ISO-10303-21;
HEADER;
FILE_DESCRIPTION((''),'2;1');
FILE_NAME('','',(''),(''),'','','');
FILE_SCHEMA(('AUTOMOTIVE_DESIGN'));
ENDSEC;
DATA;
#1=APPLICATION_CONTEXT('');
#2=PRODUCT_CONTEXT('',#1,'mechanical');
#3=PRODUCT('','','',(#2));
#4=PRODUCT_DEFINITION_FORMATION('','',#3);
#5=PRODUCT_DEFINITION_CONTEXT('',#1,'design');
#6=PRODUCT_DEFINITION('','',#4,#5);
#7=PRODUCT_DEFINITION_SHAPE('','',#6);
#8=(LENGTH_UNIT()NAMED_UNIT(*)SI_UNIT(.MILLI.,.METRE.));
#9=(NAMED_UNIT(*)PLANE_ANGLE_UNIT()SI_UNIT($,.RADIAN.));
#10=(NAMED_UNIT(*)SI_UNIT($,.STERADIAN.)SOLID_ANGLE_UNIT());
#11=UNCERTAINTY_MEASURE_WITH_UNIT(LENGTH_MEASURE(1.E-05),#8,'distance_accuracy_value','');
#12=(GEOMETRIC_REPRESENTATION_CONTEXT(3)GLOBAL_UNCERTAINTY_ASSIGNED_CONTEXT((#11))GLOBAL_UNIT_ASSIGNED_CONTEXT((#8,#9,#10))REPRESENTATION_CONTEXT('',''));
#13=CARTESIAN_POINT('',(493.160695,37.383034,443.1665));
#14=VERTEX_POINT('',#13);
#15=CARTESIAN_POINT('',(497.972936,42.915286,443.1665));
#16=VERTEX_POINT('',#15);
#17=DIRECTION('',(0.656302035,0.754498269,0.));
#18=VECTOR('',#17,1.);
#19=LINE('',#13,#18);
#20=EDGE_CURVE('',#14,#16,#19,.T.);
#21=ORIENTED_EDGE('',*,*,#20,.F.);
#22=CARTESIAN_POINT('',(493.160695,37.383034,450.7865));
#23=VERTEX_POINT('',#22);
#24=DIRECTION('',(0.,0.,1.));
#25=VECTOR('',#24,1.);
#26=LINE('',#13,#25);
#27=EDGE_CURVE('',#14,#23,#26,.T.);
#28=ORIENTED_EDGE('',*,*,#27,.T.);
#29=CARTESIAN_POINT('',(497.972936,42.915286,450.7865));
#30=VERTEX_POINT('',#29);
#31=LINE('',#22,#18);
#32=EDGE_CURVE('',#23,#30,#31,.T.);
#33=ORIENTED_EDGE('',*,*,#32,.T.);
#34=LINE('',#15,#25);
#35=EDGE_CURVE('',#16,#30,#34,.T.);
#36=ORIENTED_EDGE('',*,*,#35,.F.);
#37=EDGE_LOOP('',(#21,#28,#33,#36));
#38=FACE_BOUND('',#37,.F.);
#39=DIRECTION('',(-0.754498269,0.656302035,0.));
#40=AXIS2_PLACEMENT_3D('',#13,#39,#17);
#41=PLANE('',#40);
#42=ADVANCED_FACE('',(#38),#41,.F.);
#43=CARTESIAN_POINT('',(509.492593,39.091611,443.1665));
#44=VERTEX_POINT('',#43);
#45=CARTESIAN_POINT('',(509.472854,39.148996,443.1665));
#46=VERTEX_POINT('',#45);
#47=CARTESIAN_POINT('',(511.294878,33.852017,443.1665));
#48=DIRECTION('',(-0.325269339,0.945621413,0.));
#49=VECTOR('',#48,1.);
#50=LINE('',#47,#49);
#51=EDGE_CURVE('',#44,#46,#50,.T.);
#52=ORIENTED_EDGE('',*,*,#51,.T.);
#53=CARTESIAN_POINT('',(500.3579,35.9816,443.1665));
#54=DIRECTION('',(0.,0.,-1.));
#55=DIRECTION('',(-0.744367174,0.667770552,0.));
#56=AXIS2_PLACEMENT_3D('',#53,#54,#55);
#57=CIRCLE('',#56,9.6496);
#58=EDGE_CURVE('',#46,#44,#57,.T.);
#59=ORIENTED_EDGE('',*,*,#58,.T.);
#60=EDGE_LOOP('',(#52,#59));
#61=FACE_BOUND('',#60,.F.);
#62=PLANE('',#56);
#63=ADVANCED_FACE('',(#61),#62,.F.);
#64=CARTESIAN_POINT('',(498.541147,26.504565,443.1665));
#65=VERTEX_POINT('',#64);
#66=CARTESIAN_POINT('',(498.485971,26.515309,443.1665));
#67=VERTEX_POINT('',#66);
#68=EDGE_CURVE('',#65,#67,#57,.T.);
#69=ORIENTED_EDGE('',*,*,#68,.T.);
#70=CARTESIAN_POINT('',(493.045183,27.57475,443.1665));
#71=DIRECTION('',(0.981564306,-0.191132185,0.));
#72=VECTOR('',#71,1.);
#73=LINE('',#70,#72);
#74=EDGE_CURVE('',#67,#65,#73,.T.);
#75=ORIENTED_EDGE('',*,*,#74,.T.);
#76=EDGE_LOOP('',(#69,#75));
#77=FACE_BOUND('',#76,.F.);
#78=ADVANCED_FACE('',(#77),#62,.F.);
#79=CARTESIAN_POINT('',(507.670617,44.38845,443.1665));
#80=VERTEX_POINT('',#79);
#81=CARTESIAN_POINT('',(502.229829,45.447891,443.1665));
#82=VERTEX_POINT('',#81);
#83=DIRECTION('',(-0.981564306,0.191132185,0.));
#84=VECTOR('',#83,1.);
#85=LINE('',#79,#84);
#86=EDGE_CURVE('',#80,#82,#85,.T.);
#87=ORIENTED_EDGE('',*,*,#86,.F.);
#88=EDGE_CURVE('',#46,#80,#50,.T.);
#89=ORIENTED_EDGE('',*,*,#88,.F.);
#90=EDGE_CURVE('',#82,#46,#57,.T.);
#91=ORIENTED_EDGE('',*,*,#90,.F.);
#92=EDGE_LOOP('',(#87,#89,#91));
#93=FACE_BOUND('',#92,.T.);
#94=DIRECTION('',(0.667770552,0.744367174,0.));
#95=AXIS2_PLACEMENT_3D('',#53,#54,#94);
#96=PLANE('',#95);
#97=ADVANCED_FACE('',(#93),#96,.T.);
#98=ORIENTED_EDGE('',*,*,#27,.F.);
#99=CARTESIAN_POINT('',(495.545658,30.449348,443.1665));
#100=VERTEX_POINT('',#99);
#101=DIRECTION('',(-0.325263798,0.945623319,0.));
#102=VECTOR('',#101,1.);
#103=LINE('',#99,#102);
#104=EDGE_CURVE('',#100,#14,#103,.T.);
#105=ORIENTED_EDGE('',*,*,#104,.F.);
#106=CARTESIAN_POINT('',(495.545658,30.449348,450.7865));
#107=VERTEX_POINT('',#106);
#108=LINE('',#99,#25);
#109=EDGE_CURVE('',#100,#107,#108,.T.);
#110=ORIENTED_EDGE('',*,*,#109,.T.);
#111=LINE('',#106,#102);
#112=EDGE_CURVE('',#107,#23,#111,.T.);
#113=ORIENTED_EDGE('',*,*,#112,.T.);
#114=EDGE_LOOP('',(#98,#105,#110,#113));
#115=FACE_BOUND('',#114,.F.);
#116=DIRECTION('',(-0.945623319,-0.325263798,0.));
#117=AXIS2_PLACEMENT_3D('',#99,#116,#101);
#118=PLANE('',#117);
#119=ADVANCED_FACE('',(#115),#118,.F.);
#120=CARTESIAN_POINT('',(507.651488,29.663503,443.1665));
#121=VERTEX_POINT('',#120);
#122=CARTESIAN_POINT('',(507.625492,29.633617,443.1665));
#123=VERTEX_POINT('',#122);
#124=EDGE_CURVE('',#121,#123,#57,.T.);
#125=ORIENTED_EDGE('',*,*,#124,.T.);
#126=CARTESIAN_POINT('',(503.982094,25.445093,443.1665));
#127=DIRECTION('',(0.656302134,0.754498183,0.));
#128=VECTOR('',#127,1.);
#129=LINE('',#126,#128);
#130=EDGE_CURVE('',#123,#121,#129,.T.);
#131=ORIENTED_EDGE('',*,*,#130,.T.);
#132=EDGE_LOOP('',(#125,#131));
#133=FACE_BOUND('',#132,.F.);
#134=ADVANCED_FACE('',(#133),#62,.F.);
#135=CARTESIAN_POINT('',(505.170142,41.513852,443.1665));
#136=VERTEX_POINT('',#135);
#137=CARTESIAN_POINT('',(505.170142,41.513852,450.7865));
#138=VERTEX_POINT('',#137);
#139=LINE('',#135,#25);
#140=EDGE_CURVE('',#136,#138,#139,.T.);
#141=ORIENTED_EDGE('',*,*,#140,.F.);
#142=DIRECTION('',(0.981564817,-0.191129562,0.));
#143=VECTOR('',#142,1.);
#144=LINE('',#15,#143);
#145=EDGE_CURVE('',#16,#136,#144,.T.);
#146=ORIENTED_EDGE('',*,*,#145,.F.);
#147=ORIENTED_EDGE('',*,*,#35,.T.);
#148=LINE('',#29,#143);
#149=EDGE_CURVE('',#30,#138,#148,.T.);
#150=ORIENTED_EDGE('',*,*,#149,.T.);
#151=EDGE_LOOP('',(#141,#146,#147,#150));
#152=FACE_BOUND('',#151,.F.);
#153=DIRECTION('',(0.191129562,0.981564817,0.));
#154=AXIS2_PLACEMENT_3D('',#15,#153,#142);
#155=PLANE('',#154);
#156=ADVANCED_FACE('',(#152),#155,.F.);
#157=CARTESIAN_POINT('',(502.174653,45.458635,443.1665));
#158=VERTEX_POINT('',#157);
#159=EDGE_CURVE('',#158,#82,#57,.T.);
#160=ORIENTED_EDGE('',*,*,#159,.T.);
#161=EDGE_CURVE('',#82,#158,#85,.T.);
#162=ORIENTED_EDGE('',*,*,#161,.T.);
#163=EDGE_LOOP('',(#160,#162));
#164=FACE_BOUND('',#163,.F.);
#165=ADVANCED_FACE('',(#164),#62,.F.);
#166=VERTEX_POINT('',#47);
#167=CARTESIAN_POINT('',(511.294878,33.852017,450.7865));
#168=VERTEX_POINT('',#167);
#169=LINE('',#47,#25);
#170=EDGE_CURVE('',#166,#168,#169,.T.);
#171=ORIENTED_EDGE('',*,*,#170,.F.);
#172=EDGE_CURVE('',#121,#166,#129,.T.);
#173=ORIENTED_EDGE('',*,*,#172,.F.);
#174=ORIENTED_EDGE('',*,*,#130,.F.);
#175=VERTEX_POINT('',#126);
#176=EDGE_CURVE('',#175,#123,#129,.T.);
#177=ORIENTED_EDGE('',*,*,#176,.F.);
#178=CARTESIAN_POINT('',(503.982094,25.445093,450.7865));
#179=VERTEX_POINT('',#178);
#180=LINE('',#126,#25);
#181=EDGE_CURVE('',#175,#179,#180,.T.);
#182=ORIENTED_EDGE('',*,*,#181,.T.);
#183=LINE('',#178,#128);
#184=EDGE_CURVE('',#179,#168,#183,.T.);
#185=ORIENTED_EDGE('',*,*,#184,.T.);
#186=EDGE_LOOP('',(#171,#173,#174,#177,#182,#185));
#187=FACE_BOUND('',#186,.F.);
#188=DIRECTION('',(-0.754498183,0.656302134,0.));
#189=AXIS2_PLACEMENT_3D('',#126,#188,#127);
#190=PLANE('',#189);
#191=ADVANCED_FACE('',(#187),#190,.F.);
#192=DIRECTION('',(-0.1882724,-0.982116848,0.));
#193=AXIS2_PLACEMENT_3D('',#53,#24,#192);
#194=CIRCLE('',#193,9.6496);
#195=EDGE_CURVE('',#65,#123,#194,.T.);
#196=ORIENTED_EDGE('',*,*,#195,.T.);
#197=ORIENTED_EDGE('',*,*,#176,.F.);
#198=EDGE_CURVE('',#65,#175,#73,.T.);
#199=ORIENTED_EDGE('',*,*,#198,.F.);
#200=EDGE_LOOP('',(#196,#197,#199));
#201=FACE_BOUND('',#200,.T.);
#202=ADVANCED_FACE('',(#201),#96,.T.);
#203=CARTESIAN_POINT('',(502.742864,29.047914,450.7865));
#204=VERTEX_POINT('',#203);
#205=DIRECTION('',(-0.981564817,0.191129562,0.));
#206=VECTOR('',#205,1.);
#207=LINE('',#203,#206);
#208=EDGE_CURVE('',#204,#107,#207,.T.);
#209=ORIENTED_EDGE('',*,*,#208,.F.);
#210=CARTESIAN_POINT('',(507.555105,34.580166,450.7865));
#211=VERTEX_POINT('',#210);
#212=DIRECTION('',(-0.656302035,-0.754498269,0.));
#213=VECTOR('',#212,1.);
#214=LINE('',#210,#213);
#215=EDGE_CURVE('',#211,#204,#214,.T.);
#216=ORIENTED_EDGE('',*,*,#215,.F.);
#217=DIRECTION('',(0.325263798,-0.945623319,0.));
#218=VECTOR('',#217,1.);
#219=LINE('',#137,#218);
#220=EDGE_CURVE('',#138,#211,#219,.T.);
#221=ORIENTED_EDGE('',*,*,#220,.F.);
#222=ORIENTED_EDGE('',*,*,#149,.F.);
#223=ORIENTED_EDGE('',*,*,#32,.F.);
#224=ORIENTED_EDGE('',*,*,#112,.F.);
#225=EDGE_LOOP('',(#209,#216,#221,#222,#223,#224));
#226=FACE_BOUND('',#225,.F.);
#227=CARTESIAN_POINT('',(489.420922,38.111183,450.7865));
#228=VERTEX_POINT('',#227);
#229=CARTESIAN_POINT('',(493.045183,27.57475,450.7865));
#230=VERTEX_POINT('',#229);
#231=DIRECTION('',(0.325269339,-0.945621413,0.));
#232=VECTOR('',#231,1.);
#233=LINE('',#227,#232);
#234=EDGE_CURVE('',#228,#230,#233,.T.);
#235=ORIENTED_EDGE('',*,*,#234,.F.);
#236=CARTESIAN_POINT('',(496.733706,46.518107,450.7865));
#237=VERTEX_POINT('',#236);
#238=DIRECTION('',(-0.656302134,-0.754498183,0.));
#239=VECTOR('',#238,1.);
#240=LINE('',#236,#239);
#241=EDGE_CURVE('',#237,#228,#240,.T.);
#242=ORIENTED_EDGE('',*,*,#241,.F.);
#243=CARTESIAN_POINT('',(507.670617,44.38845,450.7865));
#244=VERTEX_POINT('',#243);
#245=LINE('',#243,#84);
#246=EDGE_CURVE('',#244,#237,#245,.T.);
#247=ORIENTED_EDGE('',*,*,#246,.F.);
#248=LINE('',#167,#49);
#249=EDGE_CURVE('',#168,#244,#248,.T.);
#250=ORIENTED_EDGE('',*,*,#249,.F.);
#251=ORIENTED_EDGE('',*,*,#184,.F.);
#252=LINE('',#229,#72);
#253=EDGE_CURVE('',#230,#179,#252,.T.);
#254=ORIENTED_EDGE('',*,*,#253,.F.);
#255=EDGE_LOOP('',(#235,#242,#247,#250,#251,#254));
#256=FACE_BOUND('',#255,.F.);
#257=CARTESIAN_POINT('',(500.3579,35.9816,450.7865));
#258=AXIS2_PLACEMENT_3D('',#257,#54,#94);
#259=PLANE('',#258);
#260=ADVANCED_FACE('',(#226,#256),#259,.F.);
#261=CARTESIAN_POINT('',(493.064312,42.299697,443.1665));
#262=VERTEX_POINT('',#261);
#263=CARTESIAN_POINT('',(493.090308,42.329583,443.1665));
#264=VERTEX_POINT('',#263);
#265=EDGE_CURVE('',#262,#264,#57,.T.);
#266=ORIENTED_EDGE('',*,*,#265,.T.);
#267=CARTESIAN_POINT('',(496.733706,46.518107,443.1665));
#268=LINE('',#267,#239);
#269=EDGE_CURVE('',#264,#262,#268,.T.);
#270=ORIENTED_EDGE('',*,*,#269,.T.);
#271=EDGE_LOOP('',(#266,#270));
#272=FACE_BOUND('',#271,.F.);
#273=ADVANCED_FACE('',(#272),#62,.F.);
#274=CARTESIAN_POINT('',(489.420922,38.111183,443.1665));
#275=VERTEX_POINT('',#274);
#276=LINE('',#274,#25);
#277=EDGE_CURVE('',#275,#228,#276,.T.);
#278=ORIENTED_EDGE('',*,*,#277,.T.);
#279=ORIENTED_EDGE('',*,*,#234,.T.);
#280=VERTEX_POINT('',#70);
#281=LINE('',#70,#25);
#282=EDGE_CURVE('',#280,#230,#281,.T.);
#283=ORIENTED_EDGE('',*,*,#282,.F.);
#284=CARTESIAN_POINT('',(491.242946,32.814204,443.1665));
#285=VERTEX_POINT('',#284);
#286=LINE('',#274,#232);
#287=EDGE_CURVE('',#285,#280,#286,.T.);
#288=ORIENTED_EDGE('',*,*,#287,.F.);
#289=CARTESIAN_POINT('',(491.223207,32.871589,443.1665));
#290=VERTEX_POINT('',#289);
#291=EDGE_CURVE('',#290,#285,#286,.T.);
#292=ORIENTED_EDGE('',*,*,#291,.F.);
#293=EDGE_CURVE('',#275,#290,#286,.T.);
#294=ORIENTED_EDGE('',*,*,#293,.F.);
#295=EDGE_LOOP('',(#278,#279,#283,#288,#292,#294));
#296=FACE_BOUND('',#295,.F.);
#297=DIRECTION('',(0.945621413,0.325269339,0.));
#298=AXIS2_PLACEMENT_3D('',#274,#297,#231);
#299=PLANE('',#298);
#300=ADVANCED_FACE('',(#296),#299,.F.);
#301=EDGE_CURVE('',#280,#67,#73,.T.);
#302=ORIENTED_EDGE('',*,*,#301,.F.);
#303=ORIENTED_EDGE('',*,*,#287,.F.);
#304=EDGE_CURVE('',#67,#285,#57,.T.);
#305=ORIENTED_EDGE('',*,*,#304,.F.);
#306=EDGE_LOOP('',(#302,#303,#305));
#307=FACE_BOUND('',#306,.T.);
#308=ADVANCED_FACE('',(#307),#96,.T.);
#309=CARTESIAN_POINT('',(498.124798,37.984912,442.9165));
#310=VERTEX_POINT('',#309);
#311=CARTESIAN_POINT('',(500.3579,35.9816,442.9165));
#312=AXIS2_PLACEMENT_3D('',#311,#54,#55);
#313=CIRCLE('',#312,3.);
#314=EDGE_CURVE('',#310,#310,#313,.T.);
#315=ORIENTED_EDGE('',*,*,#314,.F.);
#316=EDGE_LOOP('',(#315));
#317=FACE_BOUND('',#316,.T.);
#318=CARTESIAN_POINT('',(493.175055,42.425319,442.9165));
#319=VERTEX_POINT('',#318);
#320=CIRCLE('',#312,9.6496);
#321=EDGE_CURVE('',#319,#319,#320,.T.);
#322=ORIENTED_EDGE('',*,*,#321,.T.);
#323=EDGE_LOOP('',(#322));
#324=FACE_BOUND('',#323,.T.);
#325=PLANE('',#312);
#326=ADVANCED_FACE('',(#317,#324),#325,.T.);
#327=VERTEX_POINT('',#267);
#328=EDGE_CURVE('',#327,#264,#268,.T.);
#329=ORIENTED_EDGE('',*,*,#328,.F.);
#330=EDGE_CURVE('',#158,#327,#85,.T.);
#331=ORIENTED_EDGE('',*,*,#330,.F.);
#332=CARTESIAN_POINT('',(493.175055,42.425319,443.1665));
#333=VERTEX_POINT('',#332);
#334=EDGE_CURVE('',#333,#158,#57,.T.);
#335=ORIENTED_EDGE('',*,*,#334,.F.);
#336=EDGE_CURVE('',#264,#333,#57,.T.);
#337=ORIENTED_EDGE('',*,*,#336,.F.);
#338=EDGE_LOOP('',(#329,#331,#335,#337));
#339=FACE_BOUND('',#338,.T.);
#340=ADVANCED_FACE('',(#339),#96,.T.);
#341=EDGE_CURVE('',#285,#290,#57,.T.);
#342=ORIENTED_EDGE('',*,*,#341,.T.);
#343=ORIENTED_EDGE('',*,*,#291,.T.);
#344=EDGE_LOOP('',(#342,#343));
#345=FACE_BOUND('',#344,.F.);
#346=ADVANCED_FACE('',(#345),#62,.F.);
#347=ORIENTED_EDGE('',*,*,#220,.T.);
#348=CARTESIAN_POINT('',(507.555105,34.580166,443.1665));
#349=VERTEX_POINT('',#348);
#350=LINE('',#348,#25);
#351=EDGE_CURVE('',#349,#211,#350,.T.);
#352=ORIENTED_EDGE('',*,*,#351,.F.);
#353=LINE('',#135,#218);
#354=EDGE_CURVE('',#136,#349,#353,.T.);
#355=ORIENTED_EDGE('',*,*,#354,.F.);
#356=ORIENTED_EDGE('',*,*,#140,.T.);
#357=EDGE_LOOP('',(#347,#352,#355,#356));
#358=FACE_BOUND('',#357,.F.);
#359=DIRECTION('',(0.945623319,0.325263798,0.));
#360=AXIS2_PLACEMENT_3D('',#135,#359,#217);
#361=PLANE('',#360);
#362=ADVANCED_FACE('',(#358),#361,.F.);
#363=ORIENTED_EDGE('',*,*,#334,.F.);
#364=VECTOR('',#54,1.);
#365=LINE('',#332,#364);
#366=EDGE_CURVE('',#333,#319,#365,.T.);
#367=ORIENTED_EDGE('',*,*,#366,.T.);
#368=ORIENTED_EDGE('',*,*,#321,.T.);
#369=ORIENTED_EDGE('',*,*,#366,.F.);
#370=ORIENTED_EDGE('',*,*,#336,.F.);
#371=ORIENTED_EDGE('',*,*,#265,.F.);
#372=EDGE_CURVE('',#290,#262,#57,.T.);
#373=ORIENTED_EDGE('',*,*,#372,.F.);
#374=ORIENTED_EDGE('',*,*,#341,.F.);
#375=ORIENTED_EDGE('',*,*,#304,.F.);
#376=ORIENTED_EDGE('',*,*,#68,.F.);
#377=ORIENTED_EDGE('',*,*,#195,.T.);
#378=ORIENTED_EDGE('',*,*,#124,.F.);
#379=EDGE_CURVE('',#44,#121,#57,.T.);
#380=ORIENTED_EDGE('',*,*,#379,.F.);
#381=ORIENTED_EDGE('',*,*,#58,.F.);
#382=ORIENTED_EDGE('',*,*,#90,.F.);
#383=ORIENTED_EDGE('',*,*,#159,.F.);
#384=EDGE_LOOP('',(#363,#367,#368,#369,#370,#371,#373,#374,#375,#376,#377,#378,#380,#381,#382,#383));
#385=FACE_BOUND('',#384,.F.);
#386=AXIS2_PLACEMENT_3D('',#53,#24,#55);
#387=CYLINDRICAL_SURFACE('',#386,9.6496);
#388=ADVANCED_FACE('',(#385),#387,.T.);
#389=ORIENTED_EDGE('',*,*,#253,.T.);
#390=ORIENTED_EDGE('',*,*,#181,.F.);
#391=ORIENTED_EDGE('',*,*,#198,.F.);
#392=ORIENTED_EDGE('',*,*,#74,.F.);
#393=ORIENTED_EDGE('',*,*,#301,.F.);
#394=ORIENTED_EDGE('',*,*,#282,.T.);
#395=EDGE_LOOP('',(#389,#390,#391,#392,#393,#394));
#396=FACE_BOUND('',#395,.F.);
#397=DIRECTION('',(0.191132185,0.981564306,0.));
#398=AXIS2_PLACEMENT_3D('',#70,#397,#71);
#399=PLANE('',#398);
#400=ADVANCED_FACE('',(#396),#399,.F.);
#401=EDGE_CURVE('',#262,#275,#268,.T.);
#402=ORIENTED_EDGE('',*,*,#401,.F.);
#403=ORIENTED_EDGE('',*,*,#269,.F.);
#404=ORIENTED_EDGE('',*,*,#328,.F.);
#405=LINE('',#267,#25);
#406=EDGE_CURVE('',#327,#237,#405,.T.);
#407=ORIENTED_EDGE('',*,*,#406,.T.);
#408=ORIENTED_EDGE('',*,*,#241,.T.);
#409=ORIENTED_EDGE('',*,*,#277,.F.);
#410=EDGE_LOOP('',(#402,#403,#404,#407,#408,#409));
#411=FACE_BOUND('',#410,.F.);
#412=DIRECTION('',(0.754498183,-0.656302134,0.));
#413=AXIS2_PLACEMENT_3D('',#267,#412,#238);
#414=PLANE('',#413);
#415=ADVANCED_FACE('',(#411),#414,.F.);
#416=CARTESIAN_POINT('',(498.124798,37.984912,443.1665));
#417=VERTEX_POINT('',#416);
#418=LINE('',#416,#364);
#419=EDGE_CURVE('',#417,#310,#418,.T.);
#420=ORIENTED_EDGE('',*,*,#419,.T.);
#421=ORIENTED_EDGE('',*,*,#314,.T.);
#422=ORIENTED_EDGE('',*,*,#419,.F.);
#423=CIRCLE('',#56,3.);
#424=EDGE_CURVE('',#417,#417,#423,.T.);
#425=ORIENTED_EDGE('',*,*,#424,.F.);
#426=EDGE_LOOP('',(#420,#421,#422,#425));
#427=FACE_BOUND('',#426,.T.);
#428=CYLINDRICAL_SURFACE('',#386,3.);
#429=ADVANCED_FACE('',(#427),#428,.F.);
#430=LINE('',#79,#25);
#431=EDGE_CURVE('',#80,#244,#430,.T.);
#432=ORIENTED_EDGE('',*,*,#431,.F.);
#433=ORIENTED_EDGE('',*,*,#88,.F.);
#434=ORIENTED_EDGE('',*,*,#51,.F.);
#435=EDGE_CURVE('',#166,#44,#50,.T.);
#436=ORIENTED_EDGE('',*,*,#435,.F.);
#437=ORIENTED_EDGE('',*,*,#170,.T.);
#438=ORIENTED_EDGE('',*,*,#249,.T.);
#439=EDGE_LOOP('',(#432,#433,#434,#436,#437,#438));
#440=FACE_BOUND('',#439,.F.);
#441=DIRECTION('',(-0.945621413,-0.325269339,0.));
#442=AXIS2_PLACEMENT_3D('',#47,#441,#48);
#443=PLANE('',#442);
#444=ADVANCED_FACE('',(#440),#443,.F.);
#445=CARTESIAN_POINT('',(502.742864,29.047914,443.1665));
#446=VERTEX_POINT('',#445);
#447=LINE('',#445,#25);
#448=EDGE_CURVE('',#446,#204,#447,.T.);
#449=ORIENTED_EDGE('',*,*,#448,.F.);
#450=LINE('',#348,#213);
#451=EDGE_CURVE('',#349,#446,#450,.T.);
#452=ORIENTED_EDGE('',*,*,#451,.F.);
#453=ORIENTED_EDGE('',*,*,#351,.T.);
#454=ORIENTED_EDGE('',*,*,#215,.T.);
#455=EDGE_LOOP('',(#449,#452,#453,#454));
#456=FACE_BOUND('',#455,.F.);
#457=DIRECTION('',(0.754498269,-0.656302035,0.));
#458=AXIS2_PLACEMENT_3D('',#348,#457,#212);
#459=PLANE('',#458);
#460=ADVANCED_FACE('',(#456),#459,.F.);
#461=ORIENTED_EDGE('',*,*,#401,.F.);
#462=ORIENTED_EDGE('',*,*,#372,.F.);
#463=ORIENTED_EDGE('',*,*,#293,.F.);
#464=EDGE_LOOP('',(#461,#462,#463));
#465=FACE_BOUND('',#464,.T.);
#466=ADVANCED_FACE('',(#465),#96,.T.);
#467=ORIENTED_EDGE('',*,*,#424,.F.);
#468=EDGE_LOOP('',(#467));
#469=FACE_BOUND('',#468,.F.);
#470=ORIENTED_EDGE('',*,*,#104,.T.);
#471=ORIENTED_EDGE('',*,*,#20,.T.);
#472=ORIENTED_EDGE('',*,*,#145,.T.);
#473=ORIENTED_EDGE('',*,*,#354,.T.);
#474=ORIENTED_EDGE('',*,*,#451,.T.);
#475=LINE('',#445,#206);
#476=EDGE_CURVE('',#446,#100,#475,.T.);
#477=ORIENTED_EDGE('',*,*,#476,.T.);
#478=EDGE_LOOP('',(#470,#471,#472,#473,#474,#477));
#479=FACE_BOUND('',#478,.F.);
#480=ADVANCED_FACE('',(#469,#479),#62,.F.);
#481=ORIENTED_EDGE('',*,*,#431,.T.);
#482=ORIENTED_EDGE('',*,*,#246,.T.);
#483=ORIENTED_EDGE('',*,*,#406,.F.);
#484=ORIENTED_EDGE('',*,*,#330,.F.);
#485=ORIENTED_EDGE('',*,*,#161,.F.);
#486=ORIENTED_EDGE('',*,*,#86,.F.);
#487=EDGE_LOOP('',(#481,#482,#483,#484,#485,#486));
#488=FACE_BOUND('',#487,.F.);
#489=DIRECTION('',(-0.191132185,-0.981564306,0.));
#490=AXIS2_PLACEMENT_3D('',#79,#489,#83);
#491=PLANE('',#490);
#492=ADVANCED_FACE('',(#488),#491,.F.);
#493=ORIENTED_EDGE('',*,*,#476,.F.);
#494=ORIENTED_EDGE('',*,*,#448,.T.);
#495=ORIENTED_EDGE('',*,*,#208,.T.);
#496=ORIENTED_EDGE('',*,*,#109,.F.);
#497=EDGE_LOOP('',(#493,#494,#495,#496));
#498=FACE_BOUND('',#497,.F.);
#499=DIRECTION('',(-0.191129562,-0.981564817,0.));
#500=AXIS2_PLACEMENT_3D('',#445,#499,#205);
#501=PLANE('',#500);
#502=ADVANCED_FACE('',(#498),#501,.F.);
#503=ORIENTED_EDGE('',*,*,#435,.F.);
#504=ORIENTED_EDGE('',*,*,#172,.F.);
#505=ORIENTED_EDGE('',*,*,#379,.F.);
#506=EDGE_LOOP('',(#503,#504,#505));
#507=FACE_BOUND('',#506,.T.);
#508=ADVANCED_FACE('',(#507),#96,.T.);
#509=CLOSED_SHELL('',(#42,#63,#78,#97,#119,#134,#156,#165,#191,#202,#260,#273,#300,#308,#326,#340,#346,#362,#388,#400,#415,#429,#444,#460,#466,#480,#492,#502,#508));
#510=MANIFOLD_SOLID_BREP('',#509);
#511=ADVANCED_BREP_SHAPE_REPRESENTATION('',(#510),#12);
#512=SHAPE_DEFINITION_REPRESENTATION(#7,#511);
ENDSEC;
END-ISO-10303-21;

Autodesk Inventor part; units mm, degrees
ref_plane "YZ Plane" through (0, 0, 0) normal (1, 0, 0) x (0, 1, 0)
ref_plane "XZ Plane" through (0, 0, 0) normal (0, 1, 0) x (-1, 0, 0)
ref_plane "XY Plane" through (0, 0, 0) normal (0, 0, 1) x (1, 0, 0)
ref_plane "Work Plane1" through (500.3579, 35.9816, 443.1665) normal (0, 0, -1) x (0.6678, 0.7444, 0)
sketch "Sketch2" plane through (500.3579, 35.9816, 443.1665) normal (0, 0, -1) x (0.6678, 0.7444, 0)
  line L0 (3.7629, 6.2932) -> (-3.5686, 6.4054) projected
  line L1 (-3.5686, 6.4054) -> (-7.3315, 0.1122) projected
  line L2 (-7.3315, 0.1122) -> (-3.7629, -6.2932) projected
  line L3 (-3.7629, -6.2932) -> (3.5686, -6.4054) projected
  line L4 (3.5686, -6.4054) -> (7.3315, -0.1122) projected
  line L5 (7.3315, -0.1122) -> (3.7629, 6.2932) projected
  line L6 (-7.3315, 0.1122) -> (7.3315, -0.1122)
  line L7 (3.7629, 6.2932) -> (-3.7629, -6.2932)
  line L8 (-3.5686, 6.4054) -> (3.5686, -6.4054)
  line L9 (-3.5686, 6.4054) -> (-5.4229, 9.7337)
  line L10 (-5.4229, 9.7337) -> (5.7182, 9.5632)
  line L11 (5.7182, 9.5632) -> (11.141, -0.1705)
  line L12 (11.141, -0.1705) -> (5.4229, -9.7337)
  line L13 (5.4229, -9.7337) -> (-5.7182, -9.5632)
  line L14 (-5.7182, -9.5632) -> (-11.141, 0.1705)
  line L15 (-11.141, 0.1705) -> (-5.4229, 9.7337)
  point P0 (-360.9105, -348.4198)
  point P1 (0, 0)
  dimension "d0" = 3.81
extrude "Extrusion1" add sketch "Sketch2" against normal blind 7.62
sketch "Sketch3" plane through (500.3579, 35.9816, 443.1665) normal (0, 0, -1) x (-0.7444, 0.6678, 0)
  line L0 (-6.2932, 3.7629) -> (0.1122, 7.3315) projected
  line L1 (0.1122, 7.3315) -> (6.4054, 3.5686) projected
  line L2 (6.4054, 3.5686) -> (6.2932, -3.7629) projected
  line L3 (6.2932, -3.7629) -> (-0.1122, -7.3315) projected
  line L4 (-0.1122, -7.3315) -> (-6.4054, -3.5686) projected
  line L5 (-6.4054, -3.5686) -> (-6.2932, 3.7629) projected
  line L6 (-9.7337, -5.4229) -> (-0.1705, -11.141) projected
  line L7 (-0.1705, -11.141) -> (9.5632, -5.7182) projected
  line L8 (9.5632, -5.7182) -> (9.7337, 5.4229) projected
  line L9 (9.7337, 5.4229) -> (0.1705, 11.141) projected
  line L10 (0.1705, 11.141) -> (-9.5632, 5.7182) projected
  line L11 (-9.5632, 5.7182) -> (-9.7337, -5.4229) projected
  point P0 (348.4198, -360.9105)
sketch "Sketch4" plane through (500.3579, 35.9816, 443.1665) normal (0, 0, -1) x (-0.7444, 0.6678, 0)
  circle A0 centre (0, 0) radius 9.6496
  circle A1 centre (0, 0) radius 3
  point P0 (348.4198, -360.9105)
  dimension "d3" = 6
extrude "Extrusion2" add sketch "Sketch4" along normal blind 0.25
